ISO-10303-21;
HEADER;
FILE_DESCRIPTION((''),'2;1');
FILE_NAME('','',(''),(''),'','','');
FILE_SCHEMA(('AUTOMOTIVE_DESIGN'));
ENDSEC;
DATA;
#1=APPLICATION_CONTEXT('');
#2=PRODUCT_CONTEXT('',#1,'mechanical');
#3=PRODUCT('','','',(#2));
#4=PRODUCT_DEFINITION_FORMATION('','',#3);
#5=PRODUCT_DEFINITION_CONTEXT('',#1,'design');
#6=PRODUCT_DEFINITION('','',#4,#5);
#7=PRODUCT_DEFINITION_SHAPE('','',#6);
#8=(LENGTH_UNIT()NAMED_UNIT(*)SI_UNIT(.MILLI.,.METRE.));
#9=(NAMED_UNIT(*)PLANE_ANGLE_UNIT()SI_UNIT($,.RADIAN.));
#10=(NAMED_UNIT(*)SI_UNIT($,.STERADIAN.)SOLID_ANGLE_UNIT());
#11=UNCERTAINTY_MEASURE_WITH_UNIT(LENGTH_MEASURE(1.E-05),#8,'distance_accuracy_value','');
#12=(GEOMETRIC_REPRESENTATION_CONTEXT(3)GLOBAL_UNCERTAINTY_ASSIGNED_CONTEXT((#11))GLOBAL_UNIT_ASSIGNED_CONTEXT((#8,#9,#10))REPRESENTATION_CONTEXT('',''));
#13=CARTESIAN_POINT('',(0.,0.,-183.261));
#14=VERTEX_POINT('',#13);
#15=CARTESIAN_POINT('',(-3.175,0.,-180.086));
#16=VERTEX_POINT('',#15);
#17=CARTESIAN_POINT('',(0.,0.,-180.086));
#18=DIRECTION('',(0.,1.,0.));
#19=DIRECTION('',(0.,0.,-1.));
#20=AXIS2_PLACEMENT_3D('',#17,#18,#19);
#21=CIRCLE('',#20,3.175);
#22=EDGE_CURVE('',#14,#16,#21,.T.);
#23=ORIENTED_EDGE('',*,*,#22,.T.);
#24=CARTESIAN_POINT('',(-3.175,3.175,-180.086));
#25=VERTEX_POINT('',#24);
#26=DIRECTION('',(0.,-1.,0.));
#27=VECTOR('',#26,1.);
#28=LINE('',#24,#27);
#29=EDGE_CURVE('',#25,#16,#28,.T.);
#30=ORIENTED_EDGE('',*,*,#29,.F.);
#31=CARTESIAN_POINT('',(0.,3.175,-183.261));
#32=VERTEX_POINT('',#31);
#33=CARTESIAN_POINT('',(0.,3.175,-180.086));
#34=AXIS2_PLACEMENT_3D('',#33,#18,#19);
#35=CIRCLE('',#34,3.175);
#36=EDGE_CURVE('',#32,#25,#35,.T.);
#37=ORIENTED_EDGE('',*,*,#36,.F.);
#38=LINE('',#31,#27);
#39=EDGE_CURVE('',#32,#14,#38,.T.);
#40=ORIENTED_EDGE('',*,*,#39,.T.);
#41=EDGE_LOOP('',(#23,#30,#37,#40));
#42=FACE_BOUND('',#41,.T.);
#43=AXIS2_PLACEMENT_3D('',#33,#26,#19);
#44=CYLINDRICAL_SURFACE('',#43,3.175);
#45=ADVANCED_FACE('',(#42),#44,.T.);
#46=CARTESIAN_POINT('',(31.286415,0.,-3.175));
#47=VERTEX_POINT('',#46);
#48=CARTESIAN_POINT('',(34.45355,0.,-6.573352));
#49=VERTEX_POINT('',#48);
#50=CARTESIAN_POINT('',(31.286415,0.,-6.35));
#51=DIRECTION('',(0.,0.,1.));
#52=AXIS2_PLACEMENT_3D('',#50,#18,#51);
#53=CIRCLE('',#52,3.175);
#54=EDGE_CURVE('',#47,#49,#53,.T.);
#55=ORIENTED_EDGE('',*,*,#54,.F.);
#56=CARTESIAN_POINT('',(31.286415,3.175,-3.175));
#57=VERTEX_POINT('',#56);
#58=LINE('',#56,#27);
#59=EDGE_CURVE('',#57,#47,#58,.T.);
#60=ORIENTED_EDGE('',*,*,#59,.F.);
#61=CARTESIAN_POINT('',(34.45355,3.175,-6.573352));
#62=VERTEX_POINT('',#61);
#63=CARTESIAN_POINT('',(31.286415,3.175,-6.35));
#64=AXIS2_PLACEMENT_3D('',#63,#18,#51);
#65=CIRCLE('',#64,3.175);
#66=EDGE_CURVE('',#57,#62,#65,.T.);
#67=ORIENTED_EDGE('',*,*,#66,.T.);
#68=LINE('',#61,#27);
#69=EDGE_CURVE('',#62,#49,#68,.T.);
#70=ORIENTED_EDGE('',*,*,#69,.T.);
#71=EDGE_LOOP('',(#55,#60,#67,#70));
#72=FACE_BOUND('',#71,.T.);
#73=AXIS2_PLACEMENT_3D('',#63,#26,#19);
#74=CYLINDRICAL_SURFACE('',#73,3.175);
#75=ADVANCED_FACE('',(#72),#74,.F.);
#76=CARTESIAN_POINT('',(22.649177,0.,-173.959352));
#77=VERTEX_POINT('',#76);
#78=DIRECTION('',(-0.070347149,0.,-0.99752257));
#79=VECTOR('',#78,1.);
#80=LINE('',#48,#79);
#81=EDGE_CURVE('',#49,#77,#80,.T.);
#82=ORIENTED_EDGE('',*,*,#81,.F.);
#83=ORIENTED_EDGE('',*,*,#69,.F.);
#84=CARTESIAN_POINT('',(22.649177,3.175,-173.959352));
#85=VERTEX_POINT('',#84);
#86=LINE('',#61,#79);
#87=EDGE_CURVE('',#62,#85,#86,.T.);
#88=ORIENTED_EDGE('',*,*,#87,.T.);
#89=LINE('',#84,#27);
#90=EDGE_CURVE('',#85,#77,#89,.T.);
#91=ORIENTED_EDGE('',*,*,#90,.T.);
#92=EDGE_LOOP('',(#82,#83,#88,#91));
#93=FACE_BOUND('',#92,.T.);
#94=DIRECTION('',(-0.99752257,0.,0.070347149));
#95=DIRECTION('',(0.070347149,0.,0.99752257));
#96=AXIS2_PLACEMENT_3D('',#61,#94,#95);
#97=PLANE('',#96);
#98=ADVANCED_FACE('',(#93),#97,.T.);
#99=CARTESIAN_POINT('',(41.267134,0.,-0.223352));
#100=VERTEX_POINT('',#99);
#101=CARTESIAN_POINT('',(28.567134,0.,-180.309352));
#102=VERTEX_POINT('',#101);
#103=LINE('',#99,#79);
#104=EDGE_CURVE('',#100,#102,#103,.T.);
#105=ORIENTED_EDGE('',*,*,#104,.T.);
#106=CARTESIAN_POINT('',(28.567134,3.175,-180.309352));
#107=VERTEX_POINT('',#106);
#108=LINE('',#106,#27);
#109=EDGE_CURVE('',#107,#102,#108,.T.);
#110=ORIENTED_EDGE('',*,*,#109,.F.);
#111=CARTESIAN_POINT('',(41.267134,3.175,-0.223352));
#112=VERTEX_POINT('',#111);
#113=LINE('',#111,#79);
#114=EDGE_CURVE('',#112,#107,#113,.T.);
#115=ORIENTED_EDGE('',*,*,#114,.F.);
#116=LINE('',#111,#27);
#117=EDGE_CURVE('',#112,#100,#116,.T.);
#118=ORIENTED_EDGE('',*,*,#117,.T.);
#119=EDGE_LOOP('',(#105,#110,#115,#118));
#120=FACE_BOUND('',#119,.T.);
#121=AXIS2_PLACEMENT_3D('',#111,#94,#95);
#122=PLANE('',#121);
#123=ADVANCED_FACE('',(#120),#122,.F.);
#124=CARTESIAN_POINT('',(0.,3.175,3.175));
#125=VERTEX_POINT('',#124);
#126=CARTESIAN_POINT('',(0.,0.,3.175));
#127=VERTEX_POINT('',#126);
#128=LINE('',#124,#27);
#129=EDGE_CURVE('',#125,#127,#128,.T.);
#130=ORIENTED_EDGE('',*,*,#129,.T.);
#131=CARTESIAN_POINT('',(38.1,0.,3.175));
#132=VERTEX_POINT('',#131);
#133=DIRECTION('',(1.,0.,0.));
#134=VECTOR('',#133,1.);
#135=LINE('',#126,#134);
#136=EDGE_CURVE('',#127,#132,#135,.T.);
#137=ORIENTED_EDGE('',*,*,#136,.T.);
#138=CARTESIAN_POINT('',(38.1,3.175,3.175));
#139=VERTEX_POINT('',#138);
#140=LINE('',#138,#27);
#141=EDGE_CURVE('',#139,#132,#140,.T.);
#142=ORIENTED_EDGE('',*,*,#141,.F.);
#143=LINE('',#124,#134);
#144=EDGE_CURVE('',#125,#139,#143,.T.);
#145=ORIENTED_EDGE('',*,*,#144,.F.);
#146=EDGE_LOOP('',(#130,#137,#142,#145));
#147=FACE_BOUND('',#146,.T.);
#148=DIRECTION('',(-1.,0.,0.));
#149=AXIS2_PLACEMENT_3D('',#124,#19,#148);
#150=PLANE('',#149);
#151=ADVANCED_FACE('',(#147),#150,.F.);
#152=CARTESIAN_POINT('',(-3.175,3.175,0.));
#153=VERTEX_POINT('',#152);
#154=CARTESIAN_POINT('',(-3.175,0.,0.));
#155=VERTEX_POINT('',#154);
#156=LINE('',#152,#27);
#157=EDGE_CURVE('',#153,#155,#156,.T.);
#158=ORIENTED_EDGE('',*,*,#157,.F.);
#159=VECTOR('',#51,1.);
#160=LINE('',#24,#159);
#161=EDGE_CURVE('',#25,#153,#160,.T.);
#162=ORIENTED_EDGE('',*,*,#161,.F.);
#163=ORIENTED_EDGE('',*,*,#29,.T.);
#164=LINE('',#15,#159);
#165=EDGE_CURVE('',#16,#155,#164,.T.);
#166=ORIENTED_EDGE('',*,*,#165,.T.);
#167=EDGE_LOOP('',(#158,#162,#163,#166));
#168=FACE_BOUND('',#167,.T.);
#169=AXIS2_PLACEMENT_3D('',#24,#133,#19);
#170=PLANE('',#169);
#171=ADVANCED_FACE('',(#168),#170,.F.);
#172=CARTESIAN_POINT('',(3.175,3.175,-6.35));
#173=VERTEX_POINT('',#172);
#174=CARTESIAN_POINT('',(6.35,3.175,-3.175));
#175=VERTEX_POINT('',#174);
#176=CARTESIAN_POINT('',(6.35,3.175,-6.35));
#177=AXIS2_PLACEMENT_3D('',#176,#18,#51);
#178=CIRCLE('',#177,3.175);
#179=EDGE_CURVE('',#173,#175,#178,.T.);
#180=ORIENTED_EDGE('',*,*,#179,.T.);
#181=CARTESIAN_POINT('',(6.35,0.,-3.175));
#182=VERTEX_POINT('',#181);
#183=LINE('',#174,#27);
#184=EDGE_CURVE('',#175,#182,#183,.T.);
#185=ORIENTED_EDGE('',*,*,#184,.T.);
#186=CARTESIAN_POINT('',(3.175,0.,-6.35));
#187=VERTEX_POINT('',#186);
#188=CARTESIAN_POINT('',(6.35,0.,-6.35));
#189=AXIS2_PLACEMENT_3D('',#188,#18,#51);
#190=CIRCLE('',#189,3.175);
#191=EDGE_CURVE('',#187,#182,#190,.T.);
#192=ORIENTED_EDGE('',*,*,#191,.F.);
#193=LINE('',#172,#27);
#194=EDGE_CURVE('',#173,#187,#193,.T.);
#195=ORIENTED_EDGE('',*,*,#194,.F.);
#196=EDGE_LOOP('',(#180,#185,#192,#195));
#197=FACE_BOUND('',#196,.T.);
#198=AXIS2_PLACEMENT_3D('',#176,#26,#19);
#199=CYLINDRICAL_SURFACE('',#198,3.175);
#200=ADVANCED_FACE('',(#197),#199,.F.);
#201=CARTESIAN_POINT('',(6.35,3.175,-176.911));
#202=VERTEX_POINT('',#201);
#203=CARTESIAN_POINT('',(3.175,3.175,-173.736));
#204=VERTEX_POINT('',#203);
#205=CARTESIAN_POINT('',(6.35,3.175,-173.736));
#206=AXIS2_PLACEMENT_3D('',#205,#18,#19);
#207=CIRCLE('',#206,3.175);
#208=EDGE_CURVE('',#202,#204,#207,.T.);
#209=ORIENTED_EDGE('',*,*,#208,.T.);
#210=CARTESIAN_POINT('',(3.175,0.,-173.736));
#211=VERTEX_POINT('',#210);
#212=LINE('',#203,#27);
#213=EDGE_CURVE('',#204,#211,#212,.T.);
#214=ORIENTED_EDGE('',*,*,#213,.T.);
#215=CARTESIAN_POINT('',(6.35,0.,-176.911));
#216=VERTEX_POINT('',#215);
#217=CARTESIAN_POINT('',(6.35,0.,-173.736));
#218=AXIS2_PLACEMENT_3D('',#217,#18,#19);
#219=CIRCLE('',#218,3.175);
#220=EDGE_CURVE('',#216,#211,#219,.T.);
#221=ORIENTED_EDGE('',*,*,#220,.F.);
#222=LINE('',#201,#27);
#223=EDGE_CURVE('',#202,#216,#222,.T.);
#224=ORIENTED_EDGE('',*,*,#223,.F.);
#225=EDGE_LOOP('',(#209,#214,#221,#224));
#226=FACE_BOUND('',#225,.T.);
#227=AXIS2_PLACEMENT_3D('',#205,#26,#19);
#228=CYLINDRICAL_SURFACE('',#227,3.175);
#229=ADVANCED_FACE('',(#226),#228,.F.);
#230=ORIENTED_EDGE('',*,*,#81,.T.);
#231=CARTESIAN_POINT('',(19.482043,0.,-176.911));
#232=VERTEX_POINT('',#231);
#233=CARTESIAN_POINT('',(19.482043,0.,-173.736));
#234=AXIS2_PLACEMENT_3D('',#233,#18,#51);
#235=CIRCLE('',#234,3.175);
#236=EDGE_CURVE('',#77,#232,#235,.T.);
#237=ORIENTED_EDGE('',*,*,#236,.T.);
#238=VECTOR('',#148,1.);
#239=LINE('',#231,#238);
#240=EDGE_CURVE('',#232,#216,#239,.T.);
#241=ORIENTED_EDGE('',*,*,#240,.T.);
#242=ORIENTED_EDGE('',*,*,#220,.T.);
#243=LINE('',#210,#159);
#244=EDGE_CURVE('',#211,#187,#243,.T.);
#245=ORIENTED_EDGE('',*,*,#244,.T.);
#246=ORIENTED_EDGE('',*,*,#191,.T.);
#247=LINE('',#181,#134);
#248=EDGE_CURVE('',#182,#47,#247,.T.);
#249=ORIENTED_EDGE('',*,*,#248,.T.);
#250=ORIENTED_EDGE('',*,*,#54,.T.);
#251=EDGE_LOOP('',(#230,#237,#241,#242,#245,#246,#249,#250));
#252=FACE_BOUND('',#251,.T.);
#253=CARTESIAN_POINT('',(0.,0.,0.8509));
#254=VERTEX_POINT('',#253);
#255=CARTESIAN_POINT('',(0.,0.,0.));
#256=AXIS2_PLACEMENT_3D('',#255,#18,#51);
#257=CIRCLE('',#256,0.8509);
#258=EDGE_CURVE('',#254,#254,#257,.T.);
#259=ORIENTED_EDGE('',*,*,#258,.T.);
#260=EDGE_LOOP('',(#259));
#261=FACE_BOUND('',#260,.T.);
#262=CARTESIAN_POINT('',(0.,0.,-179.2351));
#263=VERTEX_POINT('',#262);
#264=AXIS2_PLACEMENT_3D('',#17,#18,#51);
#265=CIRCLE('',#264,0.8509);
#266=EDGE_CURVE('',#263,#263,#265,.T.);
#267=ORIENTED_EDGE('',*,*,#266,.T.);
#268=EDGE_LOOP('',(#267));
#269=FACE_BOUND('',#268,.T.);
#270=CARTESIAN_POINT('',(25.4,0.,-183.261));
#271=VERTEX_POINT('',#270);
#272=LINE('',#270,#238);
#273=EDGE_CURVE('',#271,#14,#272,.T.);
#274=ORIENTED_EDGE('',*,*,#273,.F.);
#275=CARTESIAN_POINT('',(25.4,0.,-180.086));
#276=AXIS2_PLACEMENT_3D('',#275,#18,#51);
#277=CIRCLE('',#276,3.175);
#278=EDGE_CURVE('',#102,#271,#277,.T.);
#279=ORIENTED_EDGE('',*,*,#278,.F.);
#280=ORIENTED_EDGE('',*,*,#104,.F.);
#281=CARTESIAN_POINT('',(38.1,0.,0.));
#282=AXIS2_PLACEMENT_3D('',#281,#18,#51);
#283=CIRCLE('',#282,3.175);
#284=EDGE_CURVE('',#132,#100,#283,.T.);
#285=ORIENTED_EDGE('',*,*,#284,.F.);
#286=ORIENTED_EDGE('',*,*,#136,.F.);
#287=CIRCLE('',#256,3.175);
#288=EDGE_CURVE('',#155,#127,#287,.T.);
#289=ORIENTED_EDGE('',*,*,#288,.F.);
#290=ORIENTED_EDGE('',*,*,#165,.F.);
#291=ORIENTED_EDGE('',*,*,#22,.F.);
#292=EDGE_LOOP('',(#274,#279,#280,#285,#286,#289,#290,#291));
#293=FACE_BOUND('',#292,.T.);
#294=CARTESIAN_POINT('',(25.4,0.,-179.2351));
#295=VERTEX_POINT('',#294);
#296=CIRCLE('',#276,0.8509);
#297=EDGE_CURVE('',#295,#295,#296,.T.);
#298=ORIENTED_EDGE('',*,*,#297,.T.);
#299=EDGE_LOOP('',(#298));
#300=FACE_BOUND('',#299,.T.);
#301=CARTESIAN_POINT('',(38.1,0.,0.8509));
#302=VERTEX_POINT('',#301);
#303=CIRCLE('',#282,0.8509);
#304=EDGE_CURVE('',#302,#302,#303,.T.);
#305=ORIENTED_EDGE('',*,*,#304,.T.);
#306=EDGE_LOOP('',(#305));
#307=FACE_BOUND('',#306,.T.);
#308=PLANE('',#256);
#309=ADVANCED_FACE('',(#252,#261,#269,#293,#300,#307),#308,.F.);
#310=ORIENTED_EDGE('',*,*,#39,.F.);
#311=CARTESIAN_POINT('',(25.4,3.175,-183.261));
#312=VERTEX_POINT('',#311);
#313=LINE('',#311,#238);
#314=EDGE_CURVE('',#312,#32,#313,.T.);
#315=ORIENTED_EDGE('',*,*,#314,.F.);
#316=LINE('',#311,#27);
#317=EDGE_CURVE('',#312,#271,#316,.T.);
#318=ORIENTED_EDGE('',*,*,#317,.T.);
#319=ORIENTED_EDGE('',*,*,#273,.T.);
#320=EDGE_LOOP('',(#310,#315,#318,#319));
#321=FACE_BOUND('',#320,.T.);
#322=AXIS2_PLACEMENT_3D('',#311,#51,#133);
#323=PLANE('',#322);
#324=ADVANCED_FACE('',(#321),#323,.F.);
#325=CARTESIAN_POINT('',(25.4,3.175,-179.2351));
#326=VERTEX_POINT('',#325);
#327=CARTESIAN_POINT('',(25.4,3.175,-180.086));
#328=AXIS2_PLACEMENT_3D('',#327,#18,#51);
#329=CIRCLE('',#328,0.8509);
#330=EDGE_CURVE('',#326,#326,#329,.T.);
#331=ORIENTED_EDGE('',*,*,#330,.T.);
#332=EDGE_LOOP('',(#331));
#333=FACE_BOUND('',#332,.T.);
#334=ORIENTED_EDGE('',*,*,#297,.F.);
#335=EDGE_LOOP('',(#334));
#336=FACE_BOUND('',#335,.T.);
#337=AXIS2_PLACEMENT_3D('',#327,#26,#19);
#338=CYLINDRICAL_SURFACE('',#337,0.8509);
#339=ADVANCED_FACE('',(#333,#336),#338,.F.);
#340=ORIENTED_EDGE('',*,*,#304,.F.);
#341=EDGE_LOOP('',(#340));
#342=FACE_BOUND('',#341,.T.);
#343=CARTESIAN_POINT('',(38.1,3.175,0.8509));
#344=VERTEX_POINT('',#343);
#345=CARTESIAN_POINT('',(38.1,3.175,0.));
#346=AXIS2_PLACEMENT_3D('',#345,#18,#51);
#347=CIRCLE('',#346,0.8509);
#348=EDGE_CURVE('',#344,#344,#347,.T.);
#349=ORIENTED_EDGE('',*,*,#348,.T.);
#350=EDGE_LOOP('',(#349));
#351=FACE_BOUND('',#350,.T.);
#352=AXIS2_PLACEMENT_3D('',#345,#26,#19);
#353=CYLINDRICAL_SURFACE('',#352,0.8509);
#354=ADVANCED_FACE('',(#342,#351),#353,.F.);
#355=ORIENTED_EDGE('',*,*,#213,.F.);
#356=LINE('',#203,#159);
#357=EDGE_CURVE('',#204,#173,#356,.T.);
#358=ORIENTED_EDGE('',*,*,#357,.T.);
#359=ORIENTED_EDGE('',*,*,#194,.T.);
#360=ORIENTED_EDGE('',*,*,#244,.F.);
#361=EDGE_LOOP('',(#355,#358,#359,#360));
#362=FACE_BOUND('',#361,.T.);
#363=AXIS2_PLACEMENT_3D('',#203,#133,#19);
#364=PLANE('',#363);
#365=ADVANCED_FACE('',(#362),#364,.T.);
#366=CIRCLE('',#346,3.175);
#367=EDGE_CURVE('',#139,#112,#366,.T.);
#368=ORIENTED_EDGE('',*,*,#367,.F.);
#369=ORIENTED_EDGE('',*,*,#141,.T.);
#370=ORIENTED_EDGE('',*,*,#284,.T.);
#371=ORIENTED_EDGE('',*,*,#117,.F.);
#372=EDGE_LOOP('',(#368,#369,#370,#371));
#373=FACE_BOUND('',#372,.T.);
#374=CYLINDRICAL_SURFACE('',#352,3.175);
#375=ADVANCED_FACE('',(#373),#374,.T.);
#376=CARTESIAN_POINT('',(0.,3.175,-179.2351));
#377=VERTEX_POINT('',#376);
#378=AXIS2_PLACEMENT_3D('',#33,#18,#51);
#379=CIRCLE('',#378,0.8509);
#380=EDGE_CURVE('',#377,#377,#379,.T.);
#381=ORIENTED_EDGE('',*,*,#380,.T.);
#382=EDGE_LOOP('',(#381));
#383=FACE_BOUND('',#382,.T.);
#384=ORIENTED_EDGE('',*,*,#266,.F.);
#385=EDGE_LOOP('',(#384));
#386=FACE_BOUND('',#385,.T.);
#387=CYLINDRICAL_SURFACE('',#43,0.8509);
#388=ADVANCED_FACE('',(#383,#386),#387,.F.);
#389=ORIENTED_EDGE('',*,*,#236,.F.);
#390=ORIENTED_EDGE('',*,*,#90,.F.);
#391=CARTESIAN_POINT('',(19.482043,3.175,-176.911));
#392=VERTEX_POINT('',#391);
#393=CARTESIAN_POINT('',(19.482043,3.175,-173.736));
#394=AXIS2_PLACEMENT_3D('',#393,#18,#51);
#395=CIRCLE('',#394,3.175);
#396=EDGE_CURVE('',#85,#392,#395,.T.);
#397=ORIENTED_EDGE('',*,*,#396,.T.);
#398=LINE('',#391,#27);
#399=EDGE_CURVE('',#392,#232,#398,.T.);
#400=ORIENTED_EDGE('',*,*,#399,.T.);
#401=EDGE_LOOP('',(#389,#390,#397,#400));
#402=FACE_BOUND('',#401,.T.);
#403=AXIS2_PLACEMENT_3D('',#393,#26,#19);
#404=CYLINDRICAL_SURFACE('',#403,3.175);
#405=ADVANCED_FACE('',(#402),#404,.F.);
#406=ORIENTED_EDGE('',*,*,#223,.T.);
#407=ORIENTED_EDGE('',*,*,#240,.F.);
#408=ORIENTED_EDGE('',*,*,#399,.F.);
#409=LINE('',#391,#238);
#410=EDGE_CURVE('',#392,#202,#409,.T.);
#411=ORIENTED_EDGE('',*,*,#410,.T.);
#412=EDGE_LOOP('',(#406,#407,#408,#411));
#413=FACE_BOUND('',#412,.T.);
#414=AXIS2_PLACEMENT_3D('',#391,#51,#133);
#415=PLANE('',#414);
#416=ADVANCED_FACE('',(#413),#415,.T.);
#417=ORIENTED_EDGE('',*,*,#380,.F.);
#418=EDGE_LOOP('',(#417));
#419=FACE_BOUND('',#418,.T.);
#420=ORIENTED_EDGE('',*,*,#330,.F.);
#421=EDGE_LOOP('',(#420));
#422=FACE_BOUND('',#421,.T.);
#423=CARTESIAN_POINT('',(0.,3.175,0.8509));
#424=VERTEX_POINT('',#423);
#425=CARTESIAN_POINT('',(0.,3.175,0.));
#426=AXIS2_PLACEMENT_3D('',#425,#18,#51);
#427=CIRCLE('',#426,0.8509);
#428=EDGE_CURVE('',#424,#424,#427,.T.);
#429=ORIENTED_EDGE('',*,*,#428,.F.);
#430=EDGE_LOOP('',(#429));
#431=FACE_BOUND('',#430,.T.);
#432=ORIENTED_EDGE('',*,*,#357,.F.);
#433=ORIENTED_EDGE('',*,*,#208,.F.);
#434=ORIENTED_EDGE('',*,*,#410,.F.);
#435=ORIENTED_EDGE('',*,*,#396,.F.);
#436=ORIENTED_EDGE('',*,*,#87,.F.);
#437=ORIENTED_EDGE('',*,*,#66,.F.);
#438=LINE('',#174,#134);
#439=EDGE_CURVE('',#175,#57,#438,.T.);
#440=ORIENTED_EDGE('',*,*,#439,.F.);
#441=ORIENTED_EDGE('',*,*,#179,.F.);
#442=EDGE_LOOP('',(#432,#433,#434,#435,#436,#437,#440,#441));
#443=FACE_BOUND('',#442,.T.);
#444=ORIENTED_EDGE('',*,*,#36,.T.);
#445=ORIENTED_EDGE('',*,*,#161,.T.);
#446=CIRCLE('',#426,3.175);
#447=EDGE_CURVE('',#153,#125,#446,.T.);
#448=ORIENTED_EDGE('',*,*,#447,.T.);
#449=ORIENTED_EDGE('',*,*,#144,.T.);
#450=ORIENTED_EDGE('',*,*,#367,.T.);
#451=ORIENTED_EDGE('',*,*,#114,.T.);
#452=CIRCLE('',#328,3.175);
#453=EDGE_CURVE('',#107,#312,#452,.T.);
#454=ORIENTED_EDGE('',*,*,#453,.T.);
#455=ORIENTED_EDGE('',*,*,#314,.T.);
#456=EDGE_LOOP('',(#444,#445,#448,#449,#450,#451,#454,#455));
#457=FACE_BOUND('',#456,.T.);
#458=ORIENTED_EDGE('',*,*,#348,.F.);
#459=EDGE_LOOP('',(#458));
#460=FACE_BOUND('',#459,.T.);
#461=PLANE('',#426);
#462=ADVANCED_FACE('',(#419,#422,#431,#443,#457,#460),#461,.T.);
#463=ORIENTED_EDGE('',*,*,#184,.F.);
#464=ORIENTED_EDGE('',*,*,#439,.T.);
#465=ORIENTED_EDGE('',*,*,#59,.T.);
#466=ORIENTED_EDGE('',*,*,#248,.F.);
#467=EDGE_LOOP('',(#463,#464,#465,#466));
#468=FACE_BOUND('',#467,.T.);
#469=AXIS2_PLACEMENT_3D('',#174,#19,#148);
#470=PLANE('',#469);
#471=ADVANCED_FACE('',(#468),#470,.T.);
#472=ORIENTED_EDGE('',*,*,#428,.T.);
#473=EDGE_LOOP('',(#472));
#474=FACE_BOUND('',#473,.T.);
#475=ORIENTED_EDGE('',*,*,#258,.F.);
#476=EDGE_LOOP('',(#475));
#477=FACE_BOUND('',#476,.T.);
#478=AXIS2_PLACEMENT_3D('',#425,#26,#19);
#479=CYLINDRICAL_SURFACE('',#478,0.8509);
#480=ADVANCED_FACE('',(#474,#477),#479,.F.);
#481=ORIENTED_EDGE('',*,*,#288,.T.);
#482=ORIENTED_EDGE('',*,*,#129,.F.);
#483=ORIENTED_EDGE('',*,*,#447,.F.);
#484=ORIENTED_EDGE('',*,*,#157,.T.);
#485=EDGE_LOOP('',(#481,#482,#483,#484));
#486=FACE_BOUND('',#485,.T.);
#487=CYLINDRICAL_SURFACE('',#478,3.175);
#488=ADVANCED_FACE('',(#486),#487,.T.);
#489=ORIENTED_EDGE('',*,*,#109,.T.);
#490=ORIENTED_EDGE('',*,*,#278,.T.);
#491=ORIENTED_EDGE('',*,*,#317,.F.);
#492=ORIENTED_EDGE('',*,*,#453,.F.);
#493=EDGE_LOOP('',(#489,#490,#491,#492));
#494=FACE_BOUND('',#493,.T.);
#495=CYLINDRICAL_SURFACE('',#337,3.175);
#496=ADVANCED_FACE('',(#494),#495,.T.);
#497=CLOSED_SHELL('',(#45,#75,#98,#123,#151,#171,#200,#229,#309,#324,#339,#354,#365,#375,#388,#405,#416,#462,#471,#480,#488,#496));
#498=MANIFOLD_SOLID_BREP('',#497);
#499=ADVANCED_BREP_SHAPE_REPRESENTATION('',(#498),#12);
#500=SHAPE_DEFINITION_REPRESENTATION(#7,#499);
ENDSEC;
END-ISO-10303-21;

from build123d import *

# Parameters (mm, degrees)
SKETCH1_R           = 0.8509
BOSS_EXTRUDE1_DEPTH = 3.175


with BuildPart() as part:
    # Sketch1 → Boss-Extrude1 (new body)
    with BuildSketch(Plane(origin=(0, 0, 0), x_dir=(1, 0, 0), z_dir=(0, 1, 0))):
        with BuildLine():
            Line((-3.175, 180.086), (-3.175, 0))
            ThreePointArc((-3.175, 0), (-2.24506403, -2.24506403), (0, -3.175))
            Line((0, -3.175), (38.1, -3.175))
            ThreePointArc((38.1, -3.175), (40.422688983, -2.164657221), (41.267134161, 0.223352198))
            Line((41.267134161, 0.223352198), (28.567134161, 180.309352198))
            ThreePointArc((28.567134161, 180.309352198), (27.564657221, 182.408688983), (25.4, 183.261))
            Line((25.4, 183.261), (0, 183.261))
            ThreePointArc((0, 183.261), (-2.24506403, 182.33106403), (-3.175, 180.086))
        make_face()
        with Locations(Location((0, 180.086, 0), (0, 0, 270))):
            Circle(SKETCH1_R, mode=Mode.SUBTRACT)
        with Locations(Location((25.4, 180.086, 0), (0, 0, 270))):
            Circle(SKETCH1_R, mode=Mode.SUBTRACT)
        with Locations(Location((38.1, 0, 0), (0, 0, 270))):
            Circle(SKETCH1_R, mode=Mode.SUBTRACT)
        with Locations(Location((0, 0, 0), (0, 0, 270))):
            Circle(SKETCH1_R, mode=Mode.SUBTRACT)
        with BuildLine():
            Line((3.175, 173.736), (3.175, 6.35))
            ThreePointArc((3.175, 6.35), (4.10493597, 4.10493597), (6.35, 3.175))
            Line((6.35, 3.175), (31.286415429, 3.175))
            ThreePointArc((31.286415429, 3.175), (33.609104413, 4.185342779), (34.453549591, 6.573352198))
            Line((34.453549591, 6.573352198), (22.649177235, 173.959352198))
            ThreePointArc((22.649177235, 173.959352198), (21.646700295, 176.058688983), (19.482043074, 176.911))
            Line((19.482043074, 176.911), (6.35, 176.911))
            ThreePointArc((6.35, 176.911), (4.10493597, 175.98106403), (3.175, 173.736))
        make_face(mode=Mode.SUBTRACT)
    extrude(amount=BOSS_EXTRUDE1_DEPTH)


solid = part.part
